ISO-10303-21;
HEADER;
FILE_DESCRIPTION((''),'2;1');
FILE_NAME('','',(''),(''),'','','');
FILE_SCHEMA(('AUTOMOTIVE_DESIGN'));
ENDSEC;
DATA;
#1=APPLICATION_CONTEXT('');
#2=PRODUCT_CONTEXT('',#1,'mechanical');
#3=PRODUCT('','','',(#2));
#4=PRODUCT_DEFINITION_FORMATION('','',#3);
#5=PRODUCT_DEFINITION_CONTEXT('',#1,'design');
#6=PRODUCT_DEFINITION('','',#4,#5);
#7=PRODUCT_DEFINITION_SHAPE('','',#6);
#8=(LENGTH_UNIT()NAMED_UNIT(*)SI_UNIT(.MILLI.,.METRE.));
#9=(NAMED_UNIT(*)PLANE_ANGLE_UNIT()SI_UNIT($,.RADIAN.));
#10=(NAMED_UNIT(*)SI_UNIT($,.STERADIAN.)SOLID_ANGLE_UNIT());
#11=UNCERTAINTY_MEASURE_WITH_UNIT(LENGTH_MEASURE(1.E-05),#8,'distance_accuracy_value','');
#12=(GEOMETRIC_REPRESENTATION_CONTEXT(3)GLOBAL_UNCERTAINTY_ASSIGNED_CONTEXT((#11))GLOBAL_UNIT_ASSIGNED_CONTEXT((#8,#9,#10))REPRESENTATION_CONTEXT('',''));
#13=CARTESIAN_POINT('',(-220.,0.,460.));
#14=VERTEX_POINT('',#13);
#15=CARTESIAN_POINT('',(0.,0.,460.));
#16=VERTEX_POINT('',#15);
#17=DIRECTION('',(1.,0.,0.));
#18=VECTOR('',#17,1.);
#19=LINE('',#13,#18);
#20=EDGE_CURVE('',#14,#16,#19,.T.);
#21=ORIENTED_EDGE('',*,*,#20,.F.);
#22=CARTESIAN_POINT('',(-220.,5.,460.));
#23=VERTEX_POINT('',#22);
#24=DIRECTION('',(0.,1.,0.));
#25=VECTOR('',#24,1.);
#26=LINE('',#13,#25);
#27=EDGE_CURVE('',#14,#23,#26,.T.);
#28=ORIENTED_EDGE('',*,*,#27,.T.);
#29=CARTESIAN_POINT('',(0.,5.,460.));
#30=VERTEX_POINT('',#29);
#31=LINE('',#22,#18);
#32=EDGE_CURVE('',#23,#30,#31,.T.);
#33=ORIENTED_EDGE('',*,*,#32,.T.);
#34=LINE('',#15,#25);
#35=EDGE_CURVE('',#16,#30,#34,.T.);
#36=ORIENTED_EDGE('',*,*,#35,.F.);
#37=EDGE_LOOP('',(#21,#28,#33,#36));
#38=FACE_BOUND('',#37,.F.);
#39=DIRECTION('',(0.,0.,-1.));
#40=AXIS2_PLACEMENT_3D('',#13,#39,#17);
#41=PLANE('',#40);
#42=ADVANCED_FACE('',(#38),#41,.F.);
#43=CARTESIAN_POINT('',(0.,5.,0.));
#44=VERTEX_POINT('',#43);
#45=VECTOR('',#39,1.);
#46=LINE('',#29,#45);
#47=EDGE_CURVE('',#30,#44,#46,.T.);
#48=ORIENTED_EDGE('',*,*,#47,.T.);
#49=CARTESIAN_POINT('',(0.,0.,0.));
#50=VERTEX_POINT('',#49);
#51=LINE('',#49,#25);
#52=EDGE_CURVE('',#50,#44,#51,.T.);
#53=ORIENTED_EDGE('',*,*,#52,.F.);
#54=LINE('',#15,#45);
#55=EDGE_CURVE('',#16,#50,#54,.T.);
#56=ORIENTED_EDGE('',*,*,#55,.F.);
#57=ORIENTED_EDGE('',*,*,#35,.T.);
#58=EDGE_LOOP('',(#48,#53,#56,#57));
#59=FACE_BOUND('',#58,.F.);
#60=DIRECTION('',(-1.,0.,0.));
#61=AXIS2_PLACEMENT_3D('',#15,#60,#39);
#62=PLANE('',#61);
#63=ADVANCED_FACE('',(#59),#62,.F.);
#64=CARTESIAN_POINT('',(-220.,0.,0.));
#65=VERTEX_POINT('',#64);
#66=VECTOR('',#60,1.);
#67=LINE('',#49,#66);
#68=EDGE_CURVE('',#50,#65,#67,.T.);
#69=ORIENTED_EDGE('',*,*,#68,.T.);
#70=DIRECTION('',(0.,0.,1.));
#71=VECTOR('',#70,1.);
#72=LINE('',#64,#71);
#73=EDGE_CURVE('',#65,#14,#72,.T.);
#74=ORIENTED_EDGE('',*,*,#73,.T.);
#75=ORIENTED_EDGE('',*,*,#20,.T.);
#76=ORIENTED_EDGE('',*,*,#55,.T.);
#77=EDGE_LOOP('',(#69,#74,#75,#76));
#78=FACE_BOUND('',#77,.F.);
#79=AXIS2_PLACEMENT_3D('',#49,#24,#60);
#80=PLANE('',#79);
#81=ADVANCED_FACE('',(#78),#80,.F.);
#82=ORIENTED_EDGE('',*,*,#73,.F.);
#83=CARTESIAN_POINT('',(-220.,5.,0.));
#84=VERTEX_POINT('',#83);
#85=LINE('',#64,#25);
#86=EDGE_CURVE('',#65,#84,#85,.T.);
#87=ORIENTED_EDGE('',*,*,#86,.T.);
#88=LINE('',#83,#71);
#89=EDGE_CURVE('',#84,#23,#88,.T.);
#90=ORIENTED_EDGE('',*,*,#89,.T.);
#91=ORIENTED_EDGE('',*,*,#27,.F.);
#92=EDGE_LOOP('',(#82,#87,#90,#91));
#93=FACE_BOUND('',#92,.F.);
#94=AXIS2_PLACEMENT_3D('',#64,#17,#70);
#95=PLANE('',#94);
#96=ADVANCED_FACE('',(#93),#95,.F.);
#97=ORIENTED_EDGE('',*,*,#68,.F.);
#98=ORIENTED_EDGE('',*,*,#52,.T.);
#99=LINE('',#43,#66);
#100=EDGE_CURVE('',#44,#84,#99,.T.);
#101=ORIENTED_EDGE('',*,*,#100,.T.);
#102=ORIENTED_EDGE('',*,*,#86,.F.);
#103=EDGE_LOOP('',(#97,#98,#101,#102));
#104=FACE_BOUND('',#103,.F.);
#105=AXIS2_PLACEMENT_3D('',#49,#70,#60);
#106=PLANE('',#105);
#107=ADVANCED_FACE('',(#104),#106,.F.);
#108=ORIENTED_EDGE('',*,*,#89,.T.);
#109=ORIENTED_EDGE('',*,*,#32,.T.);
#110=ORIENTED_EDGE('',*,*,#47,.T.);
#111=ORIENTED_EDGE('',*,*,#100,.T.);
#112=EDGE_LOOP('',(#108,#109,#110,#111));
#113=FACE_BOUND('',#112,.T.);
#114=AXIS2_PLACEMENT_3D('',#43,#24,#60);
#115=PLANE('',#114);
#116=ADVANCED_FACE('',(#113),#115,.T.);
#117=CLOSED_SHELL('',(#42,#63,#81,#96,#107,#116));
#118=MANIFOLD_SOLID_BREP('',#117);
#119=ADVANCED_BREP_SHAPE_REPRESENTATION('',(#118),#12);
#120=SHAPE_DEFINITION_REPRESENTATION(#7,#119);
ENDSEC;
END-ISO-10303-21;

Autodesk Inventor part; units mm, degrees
ref_plane "YZ Plane" through (0, 0, 0) normal (1, 0, 0) x (0, 1, 0)
ref_plane "XZ Plane" through (0, 0, 0) normal (0, 1, 0) x (-1, 0, 0)
ref_plane "XY Plane" through (0, 0, 0) normal (0, 0, 1) x (1, 0, 0)
sketch "Sketch1" plane through (0, 0, 0) normal (0, 1, 0) x (-1, 0, 0)
  line L0 (0, 0) -> (220, 0)
  line L1 (220, 0) -> (220, 460)
  line L2 (220, 460) -> (0, 460)
  line L3 (0, 460) -> (0, 0)
  dimension "d0" = 460
  dimension "d1" = 220
extrude "Extrusion1" add sketch "Sketch1" along normal blind 5
properties part number "wall"
